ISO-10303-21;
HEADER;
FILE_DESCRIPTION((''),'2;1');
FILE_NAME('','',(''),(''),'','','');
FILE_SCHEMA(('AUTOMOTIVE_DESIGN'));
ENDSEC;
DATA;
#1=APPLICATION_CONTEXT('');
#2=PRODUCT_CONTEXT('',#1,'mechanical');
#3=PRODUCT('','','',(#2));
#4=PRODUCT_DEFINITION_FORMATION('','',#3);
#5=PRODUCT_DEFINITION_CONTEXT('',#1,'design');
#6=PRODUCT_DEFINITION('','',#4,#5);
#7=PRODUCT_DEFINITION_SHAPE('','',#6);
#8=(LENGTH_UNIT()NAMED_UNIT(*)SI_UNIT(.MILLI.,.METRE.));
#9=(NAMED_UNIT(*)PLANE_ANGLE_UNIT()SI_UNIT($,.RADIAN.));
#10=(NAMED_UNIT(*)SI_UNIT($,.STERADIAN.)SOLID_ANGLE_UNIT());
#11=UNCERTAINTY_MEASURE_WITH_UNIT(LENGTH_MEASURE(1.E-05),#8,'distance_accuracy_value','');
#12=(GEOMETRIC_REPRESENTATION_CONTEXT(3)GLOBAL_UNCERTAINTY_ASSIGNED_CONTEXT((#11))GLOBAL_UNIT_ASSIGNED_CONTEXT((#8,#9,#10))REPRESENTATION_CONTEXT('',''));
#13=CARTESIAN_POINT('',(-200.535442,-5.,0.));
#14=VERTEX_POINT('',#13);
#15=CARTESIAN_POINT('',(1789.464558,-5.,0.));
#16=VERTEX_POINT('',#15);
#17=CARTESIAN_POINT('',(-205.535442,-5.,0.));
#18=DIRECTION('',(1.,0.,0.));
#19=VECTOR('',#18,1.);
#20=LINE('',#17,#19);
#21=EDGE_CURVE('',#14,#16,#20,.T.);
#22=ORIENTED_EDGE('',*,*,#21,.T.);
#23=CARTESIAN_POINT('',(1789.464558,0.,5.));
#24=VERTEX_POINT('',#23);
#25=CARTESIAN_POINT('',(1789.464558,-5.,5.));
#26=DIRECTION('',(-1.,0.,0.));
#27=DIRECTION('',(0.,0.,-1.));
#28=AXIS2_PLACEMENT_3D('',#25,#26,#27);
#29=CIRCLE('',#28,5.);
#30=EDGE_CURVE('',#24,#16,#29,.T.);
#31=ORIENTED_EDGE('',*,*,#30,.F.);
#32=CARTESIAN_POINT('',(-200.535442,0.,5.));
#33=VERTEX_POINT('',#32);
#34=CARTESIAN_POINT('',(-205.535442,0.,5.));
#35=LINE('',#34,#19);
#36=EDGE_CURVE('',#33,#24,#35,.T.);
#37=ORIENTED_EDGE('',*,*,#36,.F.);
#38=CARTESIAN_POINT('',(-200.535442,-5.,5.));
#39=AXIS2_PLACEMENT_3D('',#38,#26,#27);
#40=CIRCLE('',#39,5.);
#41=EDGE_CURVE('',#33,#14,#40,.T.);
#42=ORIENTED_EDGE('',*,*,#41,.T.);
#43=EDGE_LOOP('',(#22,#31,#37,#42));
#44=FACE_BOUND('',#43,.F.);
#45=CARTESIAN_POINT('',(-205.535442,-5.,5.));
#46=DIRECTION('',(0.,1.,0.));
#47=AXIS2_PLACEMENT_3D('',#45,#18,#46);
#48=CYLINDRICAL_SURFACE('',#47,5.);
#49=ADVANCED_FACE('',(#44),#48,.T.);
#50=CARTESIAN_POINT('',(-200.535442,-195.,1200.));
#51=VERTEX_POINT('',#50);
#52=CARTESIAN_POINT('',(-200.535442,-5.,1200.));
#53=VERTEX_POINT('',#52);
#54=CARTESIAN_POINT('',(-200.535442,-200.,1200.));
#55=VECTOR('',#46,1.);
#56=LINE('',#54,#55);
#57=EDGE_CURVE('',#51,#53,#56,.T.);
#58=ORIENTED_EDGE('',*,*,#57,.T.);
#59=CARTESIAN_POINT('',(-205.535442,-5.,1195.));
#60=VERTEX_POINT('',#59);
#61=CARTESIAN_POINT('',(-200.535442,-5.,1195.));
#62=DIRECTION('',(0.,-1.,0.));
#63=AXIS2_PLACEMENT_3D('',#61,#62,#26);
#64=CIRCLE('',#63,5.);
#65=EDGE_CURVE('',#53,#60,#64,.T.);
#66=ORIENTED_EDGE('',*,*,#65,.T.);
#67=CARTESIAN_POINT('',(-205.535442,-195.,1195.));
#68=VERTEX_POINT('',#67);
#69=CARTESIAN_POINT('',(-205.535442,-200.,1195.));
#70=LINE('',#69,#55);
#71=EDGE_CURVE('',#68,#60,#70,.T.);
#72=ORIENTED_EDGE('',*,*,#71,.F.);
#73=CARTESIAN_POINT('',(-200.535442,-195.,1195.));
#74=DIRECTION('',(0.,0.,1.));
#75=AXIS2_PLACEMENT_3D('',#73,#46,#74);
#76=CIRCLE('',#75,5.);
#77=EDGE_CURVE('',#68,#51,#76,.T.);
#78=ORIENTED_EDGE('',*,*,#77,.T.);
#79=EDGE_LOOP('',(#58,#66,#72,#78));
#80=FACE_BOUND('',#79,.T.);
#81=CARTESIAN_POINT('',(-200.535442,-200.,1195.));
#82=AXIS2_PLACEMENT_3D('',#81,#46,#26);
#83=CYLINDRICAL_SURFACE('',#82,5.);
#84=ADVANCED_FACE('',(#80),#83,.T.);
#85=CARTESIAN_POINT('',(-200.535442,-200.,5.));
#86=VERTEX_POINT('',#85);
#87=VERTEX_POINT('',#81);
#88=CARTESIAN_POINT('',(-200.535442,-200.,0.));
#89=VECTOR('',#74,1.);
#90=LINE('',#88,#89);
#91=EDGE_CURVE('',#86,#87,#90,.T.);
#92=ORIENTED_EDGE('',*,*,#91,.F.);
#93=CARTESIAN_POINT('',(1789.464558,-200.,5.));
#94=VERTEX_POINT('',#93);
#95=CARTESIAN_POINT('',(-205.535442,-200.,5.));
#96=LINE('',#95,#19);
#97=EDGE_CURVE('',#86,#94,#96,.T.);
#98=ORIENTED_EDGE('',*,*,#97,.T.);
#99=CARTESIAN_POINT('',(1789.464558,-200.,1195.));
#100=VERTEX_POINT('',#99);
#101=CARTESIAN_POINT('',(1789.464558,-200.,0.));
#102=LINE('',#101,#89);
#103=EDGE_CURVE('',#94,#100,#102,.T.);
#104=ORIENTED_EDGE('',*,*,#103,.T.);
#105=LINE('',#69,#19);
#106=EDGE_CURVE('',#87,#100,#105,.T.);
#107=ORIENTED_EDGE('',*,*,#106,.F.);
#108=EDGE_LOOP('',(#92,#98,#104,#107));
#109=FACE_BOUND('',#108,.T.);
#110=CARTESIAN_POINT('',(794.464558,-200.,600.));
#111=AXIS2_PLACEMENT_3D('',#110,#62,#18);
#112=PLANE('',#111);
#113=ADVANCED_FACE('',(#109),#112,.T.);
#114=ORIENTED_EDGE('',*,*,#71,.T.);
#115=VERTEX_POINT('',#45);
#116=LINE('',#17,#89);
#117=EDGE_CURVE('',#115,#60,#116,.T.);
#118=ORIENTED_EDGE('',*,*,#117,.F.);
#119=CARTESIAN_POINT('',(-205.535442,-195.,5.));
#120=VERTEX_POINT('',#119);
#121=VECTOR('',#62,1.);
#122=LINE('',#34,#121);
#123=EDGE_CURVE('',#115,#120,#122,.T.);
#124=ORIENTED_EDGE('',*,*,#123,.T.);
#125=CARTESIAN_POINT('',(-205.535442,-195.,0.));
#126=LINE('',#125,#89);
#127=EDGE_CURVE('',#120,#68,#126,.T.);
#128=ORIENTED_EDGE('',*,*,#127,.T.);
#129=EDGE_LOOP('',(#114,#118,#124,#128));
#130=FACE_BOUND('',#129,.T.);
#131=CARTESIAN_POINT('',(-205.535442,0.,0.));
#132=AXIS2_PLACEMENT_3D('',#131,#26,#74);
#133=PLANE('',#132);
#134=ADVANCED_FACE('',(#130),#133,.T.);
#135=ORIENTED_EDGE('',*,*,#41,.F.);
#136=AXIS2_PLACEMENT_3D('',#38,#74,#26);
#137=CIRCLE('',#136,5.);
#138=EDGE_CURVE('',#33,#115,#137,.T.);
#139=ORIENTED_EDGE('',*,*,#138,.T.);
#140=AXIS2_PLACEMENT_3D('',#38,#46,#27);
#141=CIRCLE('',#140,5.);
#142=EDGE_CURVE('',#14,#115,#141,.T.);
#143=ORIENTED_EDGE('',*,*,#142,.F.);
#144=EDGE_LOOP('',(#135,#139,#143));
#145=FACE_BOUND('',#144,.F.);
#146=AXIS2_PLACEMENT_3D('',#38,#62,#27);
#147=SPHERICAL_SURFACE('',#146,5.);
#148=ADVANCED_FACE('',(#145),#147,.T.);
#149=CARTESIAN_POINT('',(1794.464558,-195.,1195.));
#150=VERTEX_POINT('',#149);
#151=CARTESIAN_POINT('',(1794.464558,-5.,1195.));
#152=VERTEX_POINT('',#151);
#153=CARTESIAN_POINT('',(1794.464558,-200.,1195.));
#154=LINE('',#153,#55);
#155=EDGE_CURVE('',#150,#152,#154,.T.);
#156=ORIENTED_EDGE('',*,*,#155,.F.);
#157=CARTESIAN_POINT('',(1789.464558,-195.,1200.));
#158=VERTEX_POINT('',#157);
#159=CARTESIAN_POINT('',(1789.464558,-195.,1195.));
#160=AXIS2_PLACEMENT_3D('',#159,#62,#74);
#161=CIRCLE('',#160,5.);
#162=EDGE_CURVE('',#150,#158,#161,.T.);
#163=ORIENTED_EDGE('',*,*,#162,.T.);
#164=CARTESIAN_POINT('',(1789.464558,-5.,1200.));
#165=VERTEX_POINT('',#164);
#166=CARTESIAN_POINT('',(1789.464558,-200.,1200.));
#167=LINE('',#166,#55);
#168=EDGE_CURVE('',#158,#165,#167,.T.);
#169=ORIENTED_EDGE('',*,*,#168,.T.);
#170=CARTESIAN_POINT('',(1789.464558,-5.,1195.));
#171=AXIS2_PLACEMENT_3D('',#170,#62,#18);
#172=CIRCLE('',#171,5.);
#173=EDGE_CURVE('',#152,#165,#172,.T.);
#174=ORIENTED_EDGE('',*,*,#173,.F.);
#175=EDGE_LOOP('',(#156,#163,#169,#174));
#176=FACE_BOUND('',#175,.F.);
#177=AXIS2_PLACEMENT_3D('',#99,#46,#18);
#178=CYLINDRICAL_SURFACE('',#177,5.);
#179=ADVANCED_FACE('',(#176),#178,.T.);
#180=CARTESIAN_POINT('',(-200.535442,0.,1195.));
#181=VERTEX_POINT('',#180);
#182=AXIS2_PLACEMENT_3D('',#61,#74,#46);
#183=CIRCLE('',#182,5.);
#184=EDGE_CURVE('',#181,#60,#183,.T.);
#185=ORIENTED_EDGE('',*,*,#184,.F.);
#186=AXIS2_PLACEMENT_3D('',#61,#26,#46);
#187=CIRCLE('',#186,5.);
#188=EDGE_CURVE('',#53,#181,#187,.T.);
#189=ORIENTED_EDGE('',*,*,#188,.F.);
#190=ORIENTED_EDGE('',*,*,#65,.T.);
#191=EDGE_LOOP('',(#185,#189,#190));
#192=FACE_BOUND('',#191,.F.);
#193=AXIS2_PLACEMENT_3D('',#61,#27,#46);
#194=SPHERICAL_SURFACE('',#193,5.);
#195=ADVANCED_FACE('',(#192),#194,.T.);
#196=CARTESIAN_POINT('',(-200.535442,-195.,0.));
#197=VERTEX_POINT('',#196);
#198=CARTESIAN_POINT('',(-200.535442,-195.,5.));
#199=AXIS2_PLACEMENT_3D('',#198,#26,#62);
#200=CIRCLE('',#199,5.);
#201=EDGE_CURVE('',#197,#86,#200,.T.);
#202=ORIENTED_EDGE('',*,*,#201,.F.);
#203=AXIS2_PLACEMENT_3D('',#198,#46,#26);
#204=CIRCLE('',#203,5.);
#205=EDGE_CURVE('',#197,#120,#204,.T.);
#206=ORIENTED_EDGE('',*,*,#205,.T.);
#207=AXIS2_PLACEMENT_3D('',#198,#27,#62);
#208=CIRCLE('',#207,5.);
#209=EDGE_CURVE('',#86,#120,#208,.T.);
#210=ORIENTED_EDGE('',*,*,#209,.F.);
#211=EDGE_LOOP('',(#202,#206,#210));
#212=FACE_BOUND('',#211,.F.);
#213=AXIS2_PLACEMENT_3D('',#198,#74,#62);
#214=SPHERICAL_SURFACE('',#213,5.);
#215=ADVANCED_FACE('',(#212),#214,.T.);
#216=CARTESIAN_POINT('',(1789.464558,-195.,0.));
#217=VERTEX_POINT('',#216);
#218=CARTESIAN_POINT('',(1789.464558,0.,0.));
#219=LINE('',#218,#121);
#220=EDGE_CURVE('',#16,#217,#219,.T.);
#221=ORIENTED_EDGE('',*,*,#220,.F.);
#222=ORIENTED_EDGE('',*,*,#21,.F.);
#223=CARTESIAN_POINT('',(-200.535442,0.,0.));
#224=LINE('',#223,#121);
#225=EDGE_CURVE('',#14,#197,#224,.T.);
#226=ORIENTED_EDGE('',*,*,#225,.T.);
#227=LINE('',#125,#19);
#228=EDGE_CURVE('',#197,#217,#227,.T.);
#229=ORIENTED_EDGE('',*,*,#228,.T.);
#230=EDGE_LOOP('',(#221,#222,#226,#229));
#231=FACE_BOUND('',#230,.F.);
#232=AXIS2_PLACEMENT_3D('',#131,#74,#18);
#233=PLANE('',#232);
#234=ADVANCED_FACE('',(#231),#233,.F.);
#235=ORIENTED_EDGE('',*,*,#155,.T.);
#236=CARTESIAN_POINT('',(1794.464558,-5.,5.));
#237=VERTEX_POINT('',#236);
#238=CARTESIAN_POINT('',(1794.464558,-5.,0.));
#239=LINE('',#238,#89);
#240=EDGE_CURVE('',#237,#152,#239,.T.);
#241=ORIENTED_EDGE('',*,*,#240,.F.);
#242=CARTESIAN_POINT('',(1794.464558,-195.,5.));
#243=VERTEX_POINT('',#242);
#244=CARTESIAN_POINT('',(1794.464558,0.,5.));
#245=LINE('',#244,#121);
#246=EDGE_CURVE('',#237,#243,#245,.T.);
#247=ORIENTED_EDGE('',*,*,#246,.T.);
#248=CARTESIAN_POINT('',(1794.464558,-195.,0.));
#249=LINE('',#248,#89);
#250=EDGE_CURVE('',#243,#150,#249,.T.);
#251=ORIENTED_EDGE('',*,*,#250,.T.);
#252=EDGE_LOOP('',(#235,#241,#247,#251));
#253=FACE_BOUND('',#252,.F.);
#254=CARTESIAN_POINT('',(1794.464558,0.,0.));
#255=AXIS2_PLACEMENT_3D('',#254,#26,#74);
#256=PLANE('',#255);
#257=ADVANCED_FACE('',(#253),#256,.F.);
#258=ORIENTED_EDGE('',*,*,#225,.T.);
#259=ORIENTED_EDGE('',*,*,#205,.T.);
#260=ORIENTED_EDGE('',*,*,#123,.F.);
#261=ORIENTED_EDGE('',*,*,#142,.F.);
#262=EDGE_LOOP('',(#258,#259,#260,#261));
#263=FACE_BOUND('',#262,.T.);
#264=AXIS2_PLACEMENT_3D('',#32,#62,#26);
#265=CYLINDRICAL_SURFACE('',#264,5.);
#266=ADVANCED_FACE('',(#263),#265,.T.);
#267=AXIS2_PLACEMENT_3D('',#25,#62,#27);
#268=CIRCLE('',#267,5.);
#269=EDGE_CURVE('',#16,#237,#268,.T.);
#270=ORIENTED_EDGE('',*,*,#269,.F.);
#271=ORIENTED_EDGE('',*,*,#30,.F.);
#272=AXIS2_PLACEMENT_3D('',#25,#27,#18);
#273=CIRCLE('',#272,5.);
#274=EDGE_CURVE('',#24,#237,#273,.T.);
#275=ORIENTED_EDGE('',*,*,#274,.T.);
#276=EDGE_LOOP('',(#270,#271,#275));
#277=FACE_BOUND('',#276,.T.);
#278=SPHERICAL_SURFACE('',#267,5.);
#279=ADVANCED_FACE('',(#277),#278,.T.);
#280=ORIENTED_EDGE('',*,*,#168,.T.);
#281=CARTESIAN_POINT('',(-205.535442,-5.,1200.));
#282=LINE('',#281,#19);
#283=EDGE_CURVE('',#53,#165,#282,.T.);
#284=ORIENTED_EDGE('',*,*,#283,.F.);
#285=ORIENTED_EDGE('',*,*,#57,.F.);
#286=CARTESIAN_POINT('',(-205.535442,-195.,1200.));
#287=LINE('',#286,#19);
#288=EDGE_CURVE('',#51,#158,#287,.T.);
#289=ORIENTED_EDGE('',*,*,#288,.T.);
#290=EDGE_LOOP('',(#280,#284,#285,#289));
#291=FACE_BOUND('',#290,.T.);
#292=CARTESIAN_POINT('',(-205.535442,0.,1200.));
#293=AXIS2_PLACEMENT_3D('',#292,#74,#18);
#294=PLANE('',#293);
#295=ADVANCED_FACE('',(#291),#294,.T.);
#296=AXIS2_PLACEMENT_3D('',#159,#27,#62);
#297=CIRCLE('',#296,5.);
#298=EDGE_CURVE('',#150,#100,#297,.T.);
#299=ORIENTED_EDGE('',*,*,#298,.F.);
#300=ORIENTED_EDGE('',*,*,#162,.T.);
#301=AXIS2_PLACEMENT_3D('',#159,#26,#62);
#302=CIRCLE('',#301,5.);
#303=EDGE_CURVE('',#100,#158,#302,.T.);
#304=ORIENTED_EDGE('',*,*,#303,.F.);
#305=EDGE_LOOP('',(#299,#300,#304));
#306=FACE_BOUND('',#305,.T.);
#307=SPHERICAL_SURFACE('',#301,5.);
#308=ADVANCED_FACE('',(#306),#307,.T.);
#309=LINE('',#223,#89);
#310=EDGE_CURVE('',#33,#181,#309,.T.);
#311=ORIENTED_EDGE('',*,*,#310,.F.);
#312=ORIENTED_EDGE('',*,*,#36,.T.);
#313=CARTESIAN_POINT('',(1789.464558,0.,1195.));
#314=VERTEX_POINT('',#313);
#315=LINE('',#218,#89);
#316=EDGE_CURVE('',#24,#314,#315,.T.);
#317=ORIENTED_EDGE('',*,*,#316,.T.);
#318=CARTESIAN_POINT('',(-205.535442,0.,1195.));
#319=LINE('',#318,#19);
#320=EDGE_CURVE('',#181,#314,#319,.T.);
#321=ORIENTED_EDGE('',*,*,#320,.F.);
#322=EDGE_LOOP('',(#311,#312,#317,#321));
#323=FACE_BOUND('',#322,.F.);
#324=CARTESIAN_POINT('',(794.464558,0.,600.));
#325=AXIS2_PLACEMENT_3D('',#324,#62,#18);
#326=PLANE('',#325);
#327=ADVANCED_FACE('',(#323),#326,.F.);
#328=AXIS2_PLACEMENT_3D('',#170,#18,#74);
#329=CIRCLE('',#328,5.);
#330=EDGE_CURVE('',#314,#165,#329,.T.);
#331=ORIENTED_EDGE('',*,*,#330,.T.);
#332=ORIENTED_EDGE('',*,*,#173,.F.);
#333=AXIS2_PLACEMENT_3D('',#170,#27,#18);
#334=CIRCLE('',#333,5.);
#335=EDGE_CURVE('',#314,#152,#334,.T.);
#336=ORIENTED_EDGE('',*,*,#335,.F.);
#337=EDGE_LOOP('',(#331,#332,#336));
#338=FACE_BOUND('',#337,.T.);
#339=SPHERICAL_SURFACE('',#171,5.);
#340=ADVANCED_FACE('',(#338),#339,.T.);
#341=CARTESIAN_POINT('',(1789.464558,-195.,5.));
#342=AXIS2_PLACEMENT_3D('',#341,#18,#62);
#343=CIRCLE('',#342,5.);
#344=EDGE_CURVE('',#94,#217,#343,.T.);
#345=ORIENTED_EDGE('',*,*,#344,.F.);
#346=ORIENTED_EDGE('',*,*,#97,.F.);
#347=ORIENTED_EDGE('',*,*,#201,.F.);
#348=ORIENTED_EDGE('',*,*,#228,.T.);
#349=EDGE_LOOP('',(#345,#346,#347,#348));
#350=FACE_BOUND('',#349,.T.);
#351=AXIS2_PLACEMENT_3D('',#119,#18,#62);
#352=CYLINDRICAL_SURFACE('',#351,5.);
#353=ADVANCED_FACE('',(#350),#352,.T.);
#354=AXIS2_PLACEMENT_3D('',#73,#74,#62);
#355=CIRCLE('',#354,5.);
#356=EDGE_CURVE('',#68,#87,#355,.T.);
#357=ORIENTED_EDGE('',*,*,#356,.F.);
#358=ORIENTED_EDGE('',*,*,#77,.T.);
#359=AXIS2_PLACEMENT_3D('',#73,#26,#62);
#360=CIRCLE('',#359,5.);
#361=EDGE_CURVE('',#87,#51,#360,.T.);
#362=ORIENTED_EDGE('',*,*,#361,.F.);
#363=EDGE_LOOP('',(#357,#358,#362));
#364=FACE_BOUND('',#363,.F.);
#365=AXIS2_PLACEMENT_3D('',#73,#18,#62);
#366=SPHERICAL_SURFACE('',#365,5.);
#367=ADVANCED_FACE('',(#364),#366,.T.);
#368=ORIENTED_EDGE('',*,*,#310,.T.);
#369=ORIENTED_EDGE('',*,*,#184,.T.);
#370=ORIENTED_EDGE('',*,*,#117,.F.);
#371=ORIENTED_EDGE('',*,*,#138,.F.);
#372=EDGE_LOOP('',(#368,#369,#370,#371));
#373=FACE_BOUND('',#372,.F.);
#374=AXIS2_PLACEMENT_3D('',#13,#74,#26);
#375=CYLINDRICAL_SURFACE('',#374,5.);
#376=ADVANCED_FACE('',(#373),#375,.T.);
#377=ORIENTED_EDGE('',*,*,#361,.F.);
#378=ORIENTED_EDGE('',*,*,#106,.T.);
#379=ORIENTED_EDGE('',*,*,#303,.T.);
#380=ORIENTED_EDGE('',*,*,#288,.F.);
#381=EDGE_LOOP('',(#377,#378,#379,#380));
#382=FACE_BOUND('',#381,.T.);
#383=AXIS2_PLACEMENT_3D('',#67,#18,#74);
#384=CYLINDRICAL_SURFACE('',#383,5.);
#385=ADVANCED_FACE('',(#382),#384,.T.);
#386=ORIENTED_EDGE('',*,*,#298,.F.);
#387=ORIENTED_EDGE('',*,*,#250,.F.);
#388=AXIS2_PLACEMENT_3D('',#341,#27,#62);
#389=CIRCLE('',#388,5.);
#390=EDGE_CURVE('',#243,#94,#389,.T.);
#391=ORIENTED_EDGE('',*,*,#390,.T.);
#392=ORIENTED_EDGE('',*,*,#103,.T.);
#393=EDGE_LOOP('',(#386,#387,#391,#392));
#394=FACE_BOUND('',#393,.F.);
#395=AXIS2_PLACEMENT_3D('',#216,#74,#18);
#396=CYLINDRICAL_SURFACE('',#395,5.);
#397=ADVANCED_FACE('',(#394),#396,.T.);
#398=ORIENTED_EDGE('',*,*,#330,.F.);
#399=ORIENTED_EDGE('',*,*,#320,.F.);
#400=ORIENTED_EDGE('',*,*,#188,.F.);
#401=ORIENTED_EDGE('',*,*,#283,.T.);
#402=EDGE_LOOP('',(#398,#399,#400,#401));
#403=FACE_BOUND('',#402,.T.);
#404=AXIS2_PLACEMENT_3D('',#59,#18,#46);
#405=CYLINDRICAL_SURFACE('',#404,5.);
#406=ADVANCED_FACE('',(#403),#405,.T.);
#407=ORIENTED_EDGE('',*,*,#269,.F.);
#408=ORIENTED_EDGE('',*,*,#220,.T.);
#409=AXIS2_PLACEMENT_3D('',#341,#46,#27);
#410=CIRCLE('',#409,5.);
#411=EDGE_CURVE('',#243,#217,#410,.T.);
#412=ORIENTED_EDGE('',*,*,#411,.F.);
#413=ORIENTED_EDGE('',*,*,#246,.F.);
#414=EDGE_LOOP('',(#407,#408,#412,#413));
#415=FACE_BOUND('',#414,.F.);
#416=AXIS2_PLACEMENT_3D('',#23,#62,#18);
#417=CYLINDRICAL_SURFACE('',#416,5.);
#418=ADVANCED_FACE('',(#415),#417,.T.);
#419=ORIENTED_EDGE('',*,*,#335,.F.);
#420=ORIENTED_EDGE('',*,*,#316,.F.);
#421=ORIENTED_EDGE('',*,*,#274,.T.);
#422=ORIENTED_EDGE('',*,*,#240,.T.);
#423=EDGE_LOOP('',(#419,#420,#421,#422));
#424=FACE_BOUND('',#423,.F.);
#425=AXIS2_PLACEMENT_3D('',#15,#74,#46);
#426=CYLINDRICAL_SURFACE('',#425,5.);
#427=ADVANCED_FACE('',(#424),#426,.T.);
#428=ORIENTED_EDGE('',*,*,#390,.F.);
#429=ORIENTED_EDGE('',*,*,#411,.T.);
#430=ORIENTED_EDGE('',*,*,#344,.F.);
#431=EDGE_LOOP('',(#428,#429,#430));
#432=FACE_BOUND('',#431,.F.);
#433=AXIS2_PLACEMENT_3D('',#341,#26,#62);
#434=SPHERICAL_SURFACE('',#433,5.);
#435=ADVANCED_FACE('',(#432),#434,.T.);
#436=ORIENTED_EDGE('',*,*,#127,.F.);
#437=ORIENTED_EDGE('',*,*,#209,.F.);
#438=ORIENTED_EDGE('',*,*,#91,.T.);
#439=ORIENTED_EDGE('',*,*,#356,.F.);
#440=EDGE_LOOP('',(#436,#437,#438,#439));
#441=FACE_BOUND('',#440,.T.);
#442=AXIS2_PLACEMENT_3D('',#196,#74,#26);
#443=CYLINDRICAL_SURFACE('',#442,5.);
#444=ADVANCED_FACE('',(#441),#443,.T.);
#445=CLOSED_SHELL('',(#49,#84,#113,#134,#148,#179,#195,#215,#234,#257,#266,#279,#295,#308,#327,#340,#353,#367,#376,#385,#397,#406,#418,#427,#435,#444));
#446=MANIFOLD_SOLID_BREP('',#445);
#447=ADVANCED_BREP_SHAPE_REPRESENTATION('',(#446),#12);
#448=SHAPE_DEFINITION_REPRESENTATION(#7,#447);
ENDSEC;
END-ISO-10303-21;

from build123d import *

# Parameters (mm, degrees)
F0_W     = 2000
F0_H     = 1200
F1_DEPTH = 25
F2_DEPTH = 200
F3_R     = 5


with BuildPart() as f1:
    # F0 (on Front) → F1 (new body)
    with BuildSketch(Plane.XZ):
        with Locations((794.464558, 600)):
            Rectangle(F0_W, F0_H)
    extrude(amount=F1_DEPTH)

    # F0 (on Front) → F2 (join)
    with BuildSketch(Plane.XZ):
        with Locations((794.464558, 600)):
            Rectangle(F0_W, F0_H)
    extrude(amount=F2_DEPTH)

    # F3
    f3_edges = [f1.edges().sort_by_distance(p)[0] for p in [
        (794.464558, -200, 1200),
        (-205.535442, -200, 600),
        (794.464558, -200, 0),
        (1794.464558, -200, 600),
        (-205.535442, -100, 0),
        (1794.464558, -100, 0),
        (794.464558, 0, 0),
        (1794.464558, -100, 1200),
        (1794.464558, 0, 600),
        (-205.535442, 0, 600),
        (794.464558, 0, 1200),
        (-205.535442, -100, 1200),
    ]]
    fillet(f3_edges, radius=F3_R)


solid = f1.part
